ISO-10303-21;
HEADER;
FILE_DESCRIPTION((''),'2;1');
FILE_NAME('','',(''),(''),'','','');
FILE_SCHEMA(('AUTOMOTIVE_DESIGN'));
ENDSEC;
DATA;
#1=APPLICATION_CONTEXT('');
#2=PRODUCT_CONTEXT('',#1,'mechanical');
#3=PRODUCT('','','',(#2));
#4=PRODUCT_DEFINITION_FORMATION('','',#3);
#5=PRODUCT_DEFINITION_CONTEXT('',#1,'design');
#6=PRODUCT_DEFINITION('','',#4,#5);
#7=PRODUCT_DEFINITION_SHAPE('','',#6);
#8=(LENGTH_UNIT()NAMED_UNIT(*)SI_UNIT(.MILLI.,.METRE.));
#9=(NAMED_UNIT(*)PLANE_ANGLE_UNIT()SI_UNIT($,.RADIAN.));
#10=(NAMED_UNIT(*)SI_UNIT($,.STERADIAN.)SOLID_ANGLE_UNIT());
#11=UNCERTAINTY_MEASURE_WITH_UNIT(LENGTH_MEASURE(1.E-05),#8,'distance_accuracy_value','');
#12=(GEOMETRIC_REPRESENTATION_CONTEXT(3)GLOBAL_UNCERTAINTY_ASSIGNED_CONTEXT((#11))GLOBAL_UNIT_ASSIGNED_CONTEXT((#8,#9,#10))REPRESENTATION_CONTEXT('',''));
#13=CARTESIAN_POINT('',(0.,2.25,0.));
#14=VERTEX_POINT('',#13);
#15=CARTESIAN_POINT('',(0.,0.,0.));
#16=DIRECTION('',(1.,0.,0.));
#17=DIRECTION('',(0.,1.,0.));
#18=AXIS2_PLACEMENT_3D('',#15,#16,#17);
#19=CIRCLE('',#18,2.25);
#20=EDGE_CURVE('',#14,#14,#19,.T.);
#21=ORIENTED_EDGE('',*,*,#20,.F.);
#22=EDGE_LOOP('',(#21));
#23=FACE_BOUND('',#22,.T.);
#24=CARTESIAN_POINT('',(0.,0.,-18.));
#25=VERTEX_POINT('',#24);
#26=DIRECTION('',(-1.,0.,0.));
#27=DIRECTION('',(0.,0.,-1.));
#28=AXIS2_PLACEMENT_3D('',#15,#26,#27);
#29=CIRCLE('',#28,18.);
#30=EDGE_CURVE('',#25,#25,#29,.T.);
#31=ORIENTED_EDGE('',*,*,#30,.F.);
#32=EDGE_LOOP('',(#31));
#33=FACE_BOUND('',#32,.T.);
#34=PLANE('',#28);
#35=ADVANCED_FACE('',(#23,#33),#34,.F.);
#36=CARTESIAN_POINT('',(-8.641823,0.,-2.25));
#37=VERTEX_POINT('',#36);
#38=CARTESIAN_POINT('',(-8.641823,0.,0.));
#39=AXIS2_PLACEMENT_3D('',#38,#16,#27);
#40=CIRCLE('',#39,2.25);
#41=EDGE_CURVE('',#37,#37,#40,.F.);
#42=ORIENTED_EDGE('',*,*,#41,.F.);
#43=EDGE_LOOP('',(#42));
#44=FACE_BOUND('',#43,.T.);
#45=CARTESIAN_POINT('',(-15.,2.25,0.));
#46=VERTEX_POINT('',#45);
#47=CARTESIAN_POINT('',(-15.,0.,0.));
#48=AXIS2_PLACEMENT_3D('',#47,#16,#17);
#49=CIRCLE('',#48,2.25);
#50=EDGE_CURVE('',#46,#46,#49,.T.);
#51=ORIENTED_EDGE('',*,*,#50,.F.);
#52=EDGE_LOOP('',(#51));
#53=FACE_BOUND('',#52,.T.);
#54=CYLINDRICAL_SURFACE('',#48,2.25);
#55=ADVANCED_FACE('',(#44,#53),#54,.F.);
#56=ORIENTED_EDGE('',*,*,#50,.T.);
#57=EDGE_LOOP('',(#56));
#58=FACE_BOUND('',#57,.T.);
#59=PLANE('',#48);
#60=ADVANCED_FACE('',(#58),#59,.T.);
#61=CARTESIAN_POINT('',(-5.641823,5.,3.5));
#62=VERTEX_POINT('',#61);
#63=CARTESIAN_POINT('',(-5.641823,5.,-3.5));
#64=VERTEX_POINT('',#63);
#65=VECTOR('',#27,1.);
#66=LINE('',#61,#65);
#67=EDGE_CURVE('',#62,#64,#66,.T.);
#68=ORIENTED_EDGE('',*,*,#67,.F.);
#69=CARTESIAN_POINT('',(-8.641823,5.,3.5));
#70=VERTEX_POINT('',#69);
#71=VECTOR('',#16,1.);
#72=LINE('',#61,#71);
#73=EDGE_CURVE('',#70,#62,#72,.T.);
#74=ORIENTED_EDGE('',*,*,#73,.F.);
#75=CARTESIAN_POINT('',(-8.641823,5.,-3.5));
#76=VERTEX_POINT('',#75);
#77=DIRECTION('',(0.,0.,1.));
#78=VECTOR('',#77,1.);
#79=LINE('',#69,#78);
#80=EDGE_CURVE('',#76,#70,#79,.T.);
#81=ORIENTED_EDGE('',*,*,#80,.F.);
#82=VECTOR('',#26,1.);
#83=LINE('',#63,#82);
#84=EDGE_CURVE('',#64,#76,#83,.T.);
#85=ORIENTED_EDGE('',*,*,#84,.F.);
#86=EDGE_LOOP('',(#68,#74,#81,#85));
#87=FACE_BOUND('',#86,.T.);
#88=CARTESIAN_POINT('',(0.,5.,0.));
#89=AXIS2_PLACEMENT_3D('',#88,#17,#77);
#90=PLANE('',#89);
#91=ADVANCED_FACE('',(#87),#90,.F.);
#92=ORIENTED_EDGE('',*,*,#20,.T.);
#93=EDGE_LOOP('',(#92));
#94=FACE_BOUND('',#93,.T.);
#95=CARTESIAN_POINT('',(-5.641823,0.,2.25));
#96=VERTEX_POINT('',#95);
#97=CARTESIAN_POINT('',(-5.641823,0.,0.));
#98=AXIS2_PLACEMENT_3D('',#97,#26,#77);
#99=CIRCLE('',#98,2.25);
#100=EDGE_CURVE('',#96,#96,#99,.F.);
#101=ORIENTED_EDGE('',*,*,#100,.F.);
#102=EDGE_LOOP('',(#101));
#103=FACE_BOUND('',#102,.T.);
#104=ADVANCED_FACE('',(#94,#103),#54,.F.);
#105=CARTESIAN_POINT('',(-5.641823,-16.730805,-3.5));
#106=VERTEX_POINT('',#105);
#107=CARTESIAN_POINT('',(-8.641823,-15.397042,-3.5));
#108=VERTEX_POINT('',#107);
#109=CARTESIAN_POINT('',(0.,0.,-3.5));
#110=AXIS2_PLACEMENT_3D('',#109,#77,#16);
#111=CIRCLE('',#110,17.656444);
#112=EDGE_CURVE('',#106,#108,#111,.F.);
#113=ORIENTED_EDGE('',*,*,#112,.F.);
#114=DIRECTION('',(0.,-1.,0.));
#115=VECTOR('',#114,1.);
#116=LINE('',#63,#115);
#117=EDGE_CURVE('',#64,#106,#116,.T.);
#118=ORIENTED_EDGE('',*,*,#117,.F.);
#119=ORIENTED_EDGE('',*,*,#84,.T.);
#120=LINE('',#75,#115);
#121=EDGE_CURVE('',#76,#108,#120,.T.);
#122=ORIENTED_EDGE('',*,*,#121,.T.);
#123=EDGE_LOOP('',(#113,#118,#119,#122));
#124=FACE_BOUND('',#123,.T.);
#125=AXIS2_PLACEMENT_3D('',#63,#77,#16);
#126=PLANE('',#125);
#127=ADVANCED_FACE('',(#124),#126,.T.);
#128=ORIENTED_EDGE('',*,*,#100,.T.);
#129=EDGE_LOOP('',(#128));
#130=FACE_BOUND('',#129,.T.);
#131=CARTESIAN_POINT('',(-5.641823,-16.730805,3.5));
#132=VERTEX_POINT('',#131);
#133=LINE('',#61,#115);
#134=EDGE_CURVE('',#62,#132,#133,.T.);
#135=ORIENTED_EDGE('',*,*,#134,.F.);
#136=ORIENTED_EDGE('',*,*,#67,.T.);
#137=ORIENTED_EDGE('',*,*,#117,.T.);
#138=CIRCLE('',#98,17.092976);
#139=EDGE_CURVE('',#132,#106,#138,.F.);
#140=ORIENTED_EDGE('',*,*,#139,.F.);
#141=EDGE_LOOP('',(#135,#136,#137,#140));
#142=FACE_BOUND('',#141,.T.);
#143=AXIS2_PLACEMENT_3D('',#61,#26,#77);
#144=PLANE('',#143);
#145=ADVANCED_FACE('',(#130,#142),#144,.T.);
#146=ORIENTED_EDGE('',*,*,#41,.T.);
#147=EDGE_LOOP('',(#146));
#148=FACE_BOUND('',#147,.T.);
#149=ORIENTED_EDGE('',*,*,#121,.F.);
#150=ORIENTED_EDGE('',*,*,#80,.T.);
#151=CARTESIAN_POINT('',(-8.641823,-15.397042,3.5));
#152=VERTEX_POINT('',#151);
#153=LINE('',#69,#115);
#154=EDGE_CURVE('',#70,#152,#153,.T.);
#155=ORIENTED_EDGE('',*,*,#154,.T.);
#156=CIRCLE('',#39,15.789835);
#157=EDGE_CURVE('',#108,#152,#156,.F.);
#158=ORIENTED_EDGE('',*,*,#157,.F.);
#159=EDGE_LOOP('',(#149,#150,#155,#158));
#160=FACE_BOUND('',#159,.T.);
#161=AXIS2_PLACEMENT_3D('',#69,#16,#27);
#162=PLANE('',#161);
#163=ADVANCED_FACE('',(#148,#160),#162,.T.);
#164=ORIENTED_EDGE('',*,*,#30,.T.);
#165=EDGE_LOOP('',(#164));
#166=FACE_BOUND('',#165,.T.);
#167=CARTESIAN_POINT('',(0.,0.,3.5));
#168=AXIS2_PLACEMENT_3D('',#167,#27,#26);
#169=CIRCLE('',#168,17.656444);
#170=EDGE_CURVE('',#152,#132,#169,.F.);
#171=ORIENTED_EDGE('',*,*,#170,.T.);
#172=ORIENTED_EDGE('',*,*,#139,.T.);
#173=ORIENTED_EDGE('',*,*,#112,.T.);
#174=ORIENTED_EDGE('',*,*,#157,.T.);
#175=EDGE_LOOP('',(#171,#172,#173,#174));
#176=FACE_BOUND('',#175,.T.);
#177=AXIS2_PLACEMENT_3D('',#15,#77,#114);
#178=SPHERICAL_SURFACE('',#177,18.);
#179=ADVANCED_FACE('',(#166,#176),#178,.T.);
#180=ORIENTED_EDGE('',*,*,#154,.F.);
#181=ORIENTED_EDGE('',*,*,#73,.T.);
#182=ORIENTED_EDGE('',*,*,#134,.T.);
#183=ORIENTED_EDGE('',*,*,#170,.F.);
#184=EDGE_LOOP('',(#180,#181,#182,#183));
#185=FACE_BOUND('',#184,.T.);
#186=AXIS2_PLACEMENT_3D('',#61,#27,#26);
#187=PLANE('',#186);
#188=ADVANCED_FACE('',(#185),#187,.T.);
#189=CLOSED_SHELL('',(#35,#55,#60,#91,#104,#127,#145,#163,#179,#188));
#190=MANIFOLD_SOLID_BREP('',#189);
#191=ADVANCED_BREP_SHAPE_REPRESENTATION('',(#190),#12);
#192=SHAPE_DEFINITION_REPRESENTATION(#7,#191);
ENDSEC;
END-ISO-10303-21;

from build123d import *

# Parameters (mm, degrees)
REVOLVE1_ANGLE          = 180
SKETCH2_R               = 2.25
CUT_EXTRUDE1_DEPTH      = 15
CUT_EXTRUDE2_DEPTH      = 5
CUT_EXTRUDE2_DEPTH_BACK = 32.176914536
SKETCH4_W               = 3
SKETCH4_H               = 7


with BuildPart() as part:
    # Sketch1 → Revolve1 (revolve)
    with BuildSketch(Plane(origin=(0, 0, 0), x_dir=(0, 0, -1), z_dir=(1, 0, 0))):
        with BuildLine():
            Line((-18, 0), (18, 0))
            ThreePointArc((18, 0), (0, -18), (-18, 0))
        make_face()
    revolve(axis=Axis((0, 0, 18), (0, 0, -1)), revolution_arc=REVOLVE1_ANGLE)

    # Sketch2 → Cut-Extrude1 (cut)
    with BuildSketch(Plane(origin=(0, 0, 0), x_dir=(0, 0, -1), z_dir=(1, 0, 0))):
        Circle(SKETCH2_R)
    extrude(amount=-CUT_EXTRUDE1_DEPTH, mode=Mode.SUBTRACT)

    # Sketch4 → Cut-Extrude2 (cut, two sides: drawn at the far end of the back side and taken through both)
    with BuildSketch(Plane(origin=(0, 0, 0), x_dir=(1, 0, 0), z_dir=(0, 1, 0)).offset(-CUT_EXTRUDE2_DEPTH_BACK)):
        with Locations((-7.141823204, 0)):
            Rectangle(SKETCH4_W, SKETCH4_H)
    extrude(amount=CUT_EXTRUDE2_DEPTH + CUT_EXTRUDE2_DEPTH_BACK, mode=Mode.SUBTRACT)


solid = part.part
